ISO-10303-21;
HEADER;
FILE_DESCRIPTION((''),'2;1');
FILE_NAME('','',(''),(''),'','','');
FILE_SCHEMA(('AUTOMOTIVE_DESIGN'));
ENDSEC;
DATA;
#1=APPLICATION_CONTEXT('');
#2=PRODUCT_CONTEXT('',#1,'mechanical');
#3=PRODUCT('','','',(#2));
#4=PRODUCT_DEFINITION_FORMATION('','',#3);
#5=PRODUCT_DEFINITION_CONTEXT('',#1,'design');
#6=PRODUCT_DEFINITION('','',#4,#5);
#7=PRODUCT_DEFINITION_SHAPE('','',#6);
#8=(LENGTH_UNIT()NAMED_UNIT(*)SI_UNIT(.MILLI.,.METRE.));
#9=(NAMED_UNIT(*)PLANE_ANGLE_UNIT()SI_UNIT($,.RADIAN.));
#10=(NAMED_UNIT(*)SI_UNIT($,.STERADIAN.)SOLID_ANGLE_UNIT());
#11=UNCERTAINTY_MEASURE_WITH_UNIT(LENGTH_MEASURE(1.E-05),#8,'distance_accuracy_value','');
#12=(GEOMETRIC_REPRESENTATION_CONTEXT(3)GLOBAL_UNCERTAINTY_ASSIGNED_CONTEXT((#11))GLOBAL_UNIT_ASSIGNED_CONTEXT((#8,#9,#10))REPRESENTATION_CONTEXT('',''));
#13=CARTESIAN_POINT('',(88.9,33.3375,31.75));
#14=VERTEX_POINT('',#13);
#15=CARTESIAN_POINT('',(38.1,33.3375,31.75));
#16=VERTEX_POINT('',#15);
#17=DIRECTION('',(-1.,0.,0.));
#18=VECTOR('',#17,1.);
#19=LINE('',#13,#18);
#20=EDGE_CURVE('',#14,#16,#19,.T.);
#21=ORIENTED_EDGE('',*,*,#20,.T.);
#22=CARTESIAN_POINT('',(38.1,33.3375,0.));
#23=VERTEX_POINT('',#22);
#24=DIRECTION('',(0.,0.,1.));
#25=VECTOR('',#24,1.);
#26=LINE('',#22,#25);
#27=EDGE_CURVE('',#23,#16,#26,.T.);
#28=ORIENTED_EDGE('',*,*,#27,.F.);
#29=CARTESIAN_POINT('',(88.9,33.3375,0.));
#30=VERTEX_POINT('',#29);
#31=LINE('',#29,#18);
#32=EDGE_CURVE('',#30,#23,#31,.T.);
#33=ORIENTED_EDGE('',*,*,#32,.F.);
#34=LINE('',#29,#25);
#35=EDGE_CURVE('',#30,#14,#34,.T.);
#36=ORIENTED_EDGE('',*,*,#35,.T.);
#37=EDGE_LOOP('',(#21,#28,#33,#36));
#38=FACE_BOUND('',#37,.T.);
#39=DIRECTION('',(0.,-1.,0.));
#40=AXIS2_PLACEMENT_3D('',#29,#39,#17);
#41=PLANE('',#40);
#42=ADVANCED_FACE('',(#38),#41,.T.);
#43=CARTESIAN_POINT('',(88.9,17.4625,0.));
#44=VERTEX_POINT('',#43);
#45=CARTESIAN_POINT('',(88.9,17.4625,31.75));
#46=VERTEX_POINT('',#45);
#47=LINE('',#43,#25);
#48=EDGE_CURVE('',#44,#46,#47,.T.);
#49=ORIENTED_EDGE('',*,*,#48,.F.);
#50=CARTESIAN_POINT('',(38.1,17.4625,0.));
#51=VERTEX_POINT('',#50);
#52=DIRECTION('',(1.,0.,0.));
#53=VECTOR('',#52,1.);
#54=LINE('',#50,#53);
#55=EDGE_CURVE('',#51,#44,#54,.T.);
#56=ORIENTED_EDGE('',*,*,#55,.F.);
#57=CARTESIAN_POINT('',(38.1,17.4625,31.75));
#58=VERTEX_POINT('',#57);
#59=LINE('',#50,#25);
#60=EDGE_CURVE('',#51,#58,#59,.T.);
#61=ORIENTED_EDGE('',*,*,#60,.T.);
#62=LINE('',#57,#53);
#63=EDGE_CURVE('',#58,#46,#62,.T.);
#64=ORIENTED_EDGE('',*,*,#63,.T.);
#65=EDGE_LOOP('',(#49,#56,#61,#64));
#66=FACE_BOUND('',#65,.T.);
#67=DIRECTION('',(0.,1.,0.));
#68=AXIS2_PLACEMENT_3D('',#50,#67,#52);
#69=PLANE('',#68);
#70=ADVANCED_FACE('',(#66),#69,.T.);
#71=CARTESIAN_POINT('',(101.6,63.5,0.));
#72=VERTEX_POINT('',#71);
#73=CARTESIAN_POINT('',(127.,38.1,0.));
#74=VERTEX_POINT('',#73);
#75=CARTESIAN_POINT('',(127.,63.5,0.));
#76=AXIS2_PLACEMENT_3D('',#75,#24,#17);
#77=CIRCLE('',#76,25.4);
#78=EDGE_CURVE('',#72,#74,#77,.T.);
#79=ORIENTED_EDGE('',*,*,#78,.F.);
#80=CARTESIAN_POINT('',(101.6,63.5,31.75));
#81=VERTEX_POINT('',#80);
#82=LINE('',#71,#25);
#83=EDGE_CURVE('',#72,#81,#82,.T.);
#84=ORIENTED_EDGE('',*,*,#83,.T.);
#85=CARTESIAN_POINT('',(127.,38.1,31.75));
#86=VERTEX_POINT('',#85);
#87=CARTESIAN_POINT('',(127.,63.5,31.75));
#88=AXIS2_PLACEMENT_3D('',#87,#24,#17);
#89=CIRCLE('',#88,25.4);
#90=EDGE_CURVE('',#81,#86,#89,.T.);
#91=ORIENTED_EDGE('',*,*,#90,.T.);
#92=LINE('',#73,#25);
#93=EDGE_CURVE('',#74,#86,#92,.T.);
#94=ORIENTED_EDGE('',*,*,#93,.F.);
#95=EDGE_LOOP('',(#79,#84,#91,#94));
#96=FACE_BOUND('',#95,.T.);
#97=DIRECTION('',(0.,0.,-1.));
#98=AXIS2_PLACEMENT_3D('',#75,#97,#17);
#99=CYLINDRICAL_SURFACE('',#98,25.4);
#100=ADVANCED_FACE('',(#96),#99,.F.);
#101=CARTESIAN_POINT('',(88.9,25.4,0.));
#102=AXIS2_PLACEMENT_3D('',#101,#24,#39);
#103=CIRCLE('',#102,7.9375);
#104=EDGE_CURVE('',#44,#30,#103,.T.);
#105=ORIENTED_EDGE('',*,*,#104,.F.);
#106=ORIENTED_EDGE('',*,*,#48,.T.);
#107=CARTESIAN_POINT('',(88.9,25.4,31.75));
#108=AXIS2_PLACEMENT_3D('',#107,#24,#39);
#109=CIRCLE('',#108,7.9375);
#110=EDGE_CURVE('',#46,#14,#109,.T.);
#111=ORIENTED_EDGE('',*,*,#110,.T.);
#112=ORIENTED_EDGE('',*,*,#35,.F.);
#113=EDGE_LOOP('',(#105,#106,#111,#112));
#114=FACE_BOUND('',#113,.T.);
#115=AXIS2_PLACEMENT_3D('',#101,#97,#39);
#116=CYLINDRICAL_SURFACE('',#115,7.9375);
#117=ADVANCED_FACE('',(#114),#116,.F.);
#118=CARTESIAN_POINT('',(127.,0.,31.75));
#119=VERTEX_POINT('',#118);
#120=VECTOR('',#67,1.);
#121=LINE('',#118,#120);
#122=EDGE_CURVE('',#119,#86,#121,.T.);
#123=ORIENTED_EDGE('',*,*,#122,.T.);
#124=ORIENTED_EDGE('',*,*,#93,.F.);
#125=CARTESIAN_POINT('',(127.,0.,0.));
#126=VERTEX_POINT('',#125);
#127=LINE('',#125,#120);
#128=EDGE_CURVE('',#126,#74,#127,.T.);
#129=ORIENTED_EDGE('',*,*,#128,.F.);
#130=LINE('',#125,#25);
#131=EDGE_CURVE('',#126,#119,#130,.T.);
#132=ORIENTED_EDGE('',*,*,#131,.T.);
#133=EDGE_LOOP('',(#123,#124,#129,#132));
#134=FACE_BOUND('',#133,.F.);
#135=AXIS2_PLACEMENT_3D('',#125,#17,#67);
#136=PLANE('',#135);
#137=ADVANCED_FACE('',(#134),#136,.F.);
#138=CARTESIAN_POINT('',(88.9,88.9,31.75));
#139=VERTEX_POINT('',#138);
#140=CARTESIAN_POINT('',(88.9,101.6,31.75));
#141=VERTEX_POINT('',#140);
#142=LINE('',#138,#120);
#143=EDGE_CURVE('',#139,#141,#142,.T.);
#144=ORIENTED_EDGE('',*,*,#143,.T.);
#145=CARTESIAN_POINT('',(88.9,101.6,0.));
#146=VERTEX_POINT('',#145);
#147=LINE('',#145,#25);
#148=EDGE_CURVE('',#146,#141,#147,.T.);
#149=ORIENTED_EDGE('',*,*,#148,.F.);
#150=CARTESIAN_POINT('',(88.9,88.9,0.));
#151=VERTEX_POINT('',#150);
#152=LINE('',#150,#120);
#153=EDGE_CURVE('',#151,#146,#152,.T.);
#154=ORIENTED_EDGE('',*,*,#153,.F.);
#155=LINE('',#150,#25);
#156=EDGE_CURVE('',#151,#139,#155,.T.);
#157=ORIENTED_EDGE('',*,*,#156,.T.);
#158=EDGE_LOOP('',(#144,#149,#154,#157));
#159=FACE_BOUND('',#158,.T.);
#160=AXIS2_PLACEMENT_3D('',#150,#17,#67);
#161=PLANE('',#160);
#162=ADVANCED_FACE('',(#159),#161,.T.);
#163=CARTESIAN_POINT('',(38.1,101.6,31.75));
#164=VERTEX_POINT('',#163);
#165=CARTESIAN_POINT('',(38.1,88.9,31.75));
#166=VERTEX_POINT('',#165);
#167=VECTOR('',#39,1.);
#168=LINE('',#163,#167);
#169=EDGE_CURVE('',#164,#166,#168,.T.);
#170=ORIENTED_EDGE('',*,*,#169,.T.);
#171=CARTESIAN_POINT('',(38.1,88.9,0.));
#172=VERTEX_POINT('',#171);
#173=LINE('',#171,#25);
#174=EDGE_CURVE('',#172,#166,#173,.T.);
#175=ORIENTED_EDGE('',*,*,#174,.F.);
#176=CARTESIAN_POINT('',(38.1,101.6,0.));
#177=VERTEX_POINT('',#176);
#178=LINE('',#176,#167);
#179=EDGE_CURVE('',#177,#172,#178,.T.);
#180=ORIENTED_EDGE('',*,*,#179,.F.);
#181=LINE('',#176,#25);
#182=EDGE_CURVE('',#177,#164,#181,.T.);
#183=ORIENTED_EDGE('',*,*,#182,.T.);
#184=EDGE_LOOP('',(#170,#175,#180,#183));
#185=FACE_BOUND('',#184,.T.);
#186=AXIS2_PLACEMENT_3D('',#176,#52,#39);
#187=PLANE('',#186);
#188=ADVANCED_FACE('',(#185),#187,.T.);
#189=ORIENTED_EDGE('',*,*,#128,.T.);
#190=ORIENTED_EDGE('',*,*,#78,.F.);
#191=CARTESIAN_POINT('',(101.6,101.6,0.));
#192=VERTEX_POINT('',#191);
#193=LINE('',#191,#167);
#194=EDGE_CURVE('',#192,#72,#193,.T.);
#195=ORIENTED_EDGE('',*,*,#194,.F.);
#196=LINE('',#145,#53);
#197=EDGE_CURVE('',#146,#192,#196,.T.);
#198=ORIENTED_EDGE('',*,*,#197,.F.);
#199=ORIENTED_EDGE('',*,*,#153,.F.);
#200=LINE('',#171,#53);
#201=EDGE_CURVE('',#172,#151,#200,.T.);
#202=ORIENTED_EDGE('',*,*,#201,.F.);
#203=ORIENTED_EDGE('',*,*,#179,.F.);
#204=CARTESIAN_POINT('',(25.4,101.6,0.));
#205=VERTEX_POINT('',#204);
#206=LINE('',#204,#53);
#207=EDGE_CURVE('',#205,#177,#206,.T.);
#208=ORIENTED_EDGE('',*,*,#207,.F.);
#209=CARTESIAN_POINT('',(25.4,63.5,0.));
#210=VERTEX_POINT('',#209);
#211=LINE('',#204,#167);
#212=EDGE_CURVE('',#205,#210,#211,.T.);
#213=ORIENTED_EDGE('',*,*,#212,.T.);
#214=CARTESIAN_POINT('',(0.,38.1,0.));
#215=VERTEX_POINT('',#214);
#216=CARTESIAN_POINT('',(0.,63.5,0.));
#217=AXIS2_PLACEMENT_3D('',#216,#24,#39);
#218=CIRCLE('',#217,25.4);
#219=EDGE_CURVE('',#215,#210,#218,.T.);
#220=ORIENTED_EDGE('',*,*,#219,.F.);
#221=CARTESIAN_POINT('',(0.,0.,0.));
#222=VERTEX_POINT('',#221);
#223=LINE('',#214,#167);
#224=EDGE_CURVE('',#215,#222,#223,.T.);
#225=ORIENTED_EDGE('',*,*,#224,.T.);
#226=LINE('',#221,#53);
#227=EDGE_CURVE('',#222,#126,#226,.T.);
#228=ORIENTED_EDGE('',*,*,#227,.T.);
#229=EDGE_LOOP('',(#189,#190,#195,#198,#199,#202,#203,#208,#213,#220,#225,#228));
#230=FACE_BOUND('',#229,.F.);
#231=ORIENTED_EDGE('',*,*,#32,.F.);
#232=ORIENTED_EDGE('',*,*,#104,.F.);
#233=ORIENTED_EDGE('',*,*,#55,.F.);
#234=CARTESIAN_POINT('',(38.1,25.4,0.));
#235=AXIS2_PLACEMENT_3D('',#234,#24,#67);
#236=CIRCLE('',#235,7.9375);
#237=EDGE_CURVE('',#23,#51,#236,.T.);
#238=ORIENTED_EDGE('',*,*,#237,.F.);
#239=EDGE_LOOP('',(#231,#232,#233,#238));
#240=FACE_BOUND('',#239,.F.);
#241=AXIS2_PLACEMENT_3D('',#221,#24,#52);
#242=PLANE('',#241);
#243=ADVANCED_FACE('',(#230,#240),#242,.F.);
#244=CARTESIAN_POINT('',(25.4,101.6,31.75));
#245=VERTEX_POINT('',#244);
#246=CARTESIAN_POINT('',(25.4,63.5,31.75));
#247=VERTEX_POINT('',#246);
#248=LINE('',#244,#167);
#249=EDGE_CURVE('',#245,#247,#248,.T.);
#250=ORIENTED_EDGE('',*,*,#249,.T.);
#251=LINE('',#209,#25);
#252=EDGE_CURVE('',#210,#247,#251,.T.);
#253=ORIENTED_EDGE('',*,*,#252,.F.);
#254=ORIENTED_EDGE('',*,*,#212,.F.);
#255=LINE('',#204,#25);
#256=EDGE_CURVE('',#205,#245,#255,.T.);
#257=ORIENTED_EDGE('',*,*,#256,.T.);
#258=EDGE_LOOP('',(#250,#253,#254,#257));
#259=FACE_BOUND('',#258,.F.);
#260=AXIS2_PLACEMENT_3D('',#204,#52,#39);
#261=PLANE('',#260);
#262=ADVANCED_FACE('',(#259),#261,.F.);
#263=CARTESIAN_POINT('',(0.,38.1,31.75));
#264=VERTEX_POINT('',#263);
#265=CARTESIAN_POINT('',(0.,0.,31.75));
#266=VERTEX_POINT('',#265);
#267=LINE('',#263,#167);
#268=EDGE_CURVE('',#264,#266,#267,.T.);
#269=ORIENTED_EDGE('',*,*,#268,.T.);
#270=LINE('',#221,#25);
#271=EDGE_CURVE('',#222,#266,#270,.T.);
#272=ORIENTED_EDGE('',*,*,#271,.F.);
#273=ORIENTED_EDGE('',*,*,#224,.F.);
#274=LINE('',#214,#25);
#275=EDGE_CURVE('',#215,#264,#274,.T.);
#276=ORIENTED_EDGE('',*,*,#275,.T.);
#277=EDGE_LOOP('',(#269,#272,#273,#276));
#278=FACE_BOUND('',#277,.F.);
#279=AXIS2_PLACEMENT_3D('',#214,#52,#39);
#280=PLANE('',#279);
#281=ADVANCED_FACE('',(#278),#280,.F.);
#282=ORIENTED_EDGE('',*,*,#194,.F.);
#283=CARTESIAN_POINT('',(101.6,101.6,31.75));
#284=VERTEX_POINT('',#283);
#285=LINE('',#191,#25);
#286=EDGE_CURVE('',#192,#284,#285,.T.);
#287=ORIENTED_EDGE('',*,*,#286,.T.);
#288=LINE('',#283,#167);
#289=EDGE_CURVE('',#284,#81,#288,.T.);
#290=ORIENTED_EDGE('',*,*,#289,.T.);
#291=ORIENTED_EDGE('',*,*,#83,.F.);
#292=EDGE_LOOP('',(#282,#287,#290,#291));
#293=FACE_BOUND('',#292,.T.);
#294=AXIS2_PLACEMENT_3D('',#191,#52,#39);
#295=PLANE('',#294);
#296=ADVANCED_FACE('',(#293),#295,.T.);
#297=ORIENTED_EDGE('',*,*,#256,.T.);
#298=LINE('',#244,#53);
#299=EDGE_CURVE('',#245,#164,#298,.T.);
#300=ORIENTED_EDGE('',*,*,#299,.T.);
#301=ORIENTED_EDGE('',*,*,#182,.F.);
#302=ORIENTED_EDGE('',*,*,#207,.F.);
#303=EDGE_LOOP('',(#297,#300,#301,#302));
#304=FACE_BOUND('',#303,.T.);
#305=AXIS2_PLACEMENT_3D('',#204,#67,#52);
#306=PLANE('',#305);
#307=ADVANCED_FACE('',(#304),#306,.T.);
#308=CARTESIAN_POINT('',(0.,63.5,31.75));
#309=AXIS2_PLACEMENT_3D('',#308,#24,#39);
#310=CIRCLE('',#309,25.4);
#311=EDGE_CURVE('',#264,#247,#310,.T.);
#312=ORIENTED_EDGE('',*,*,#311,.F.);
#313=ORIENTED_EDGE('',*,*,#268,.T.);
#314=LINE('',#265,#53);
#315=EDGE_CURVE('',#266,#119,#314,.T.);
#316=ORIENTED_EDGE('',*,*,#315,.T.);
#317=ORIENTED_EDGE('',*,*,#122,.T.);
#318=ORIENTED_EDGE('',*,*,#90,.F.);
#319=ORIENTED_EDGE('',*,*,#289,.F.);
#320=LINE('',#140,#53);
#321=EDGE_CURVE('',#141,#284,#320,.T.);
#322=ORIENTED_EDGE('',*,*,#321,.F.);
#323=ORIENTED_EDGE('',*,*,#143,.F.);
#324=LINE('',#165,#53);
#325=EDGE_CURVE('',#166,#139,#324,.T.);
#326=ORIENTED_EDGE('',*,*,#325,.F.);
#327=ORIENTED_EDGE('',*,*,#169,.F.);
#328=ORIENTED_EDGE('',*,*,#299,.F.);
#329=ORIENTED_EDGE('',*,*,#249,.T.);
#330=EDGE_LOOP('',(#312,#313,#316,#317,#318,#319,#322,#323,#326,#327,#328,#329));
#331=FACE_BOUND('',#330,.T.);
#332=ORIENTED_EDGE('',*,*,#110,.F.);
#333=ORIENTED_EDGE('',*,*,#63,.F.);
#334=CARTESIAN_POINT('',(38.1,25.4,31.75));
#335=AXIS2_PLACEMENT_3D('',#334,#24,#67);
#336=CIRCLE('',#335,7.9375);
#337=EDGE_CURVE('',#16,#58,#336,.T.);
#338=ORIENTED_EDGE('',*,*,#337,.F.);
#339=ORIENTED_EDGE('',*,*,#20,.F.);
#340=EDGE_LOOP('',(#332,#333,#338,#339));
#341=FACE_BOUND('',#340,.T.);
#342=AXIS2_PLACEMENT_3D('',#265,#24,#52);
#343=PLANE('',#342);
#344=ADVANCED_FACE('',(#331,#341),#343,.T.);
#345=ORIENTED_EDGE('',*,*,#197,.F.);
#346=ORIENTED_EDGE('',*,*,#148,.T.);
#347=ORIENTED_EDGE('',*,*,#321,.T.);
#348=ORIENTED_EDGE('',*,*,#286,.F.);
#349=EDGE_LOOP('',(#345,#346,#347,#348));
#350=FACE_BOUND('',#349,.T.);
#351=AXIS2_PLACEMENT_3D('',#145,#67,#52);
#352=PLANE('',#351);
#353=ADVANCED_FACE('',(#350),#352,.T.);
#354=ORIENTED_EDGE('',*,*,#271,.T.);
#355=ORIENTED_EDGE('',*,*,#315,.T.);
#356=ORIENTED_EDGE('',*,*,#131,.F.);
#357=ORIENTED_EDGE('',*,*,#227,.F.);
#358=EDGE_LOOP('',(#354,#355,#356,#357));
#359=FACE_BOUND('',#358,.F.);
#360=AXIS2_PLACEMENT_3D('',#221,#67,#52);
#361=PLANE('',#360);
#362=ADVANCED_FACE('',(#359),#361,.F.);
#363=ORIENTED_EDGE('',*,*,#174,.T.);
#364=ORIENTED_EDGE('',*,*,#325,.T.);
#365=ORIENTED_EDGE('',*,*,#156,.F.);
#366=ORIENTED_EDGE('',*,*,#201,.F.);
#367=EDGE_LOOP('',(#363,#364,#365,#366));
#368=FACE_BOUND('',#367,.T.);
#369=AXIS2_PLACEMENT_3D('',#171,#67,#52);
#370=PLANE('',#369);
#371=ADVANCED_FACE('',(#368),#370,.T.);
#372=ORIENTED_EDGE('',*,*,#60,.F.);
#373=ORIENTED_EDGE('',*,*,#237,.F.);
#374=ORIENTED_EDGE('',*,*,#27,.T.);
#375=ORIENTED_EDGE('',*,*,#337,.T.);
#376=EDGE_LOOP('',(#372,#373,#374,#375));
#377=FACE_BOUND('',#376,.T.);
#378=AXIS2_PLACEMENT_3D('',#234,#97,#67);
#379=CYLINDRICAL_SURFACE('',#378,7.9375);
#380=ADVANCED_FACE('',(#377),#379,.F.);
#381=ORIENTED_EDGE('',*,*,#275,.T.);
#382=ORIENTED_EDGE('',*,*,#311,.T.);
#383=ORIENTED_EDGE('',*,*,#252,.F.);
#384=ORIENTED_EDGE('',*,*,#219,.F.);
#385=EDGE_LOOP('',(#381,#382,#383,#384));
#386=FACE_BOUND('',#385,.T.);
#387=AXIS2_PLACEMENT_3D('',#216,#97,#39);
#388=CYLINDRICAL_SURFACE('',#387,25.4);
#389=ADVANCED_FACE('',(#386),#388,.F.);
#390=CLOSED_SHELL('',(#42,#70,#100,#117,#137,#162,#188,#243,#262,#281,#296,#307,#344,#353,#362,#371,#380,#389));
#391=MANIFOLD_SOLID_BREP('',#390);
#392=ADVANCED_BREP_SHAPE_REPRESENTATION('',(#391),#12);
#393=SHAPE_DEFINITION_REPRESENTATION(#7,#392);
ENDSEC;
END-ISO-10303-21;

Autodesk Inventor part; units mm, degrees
ref_plane "YZ Plane" through (0, 0, 0) normal (1, 0, 0) x (0, 1, 0)
ref_plane "XZ Plane" through (0, 0, 0) normal (0, 1, 0) x (-1, 0, 0)
ref_plane "XY Plane" through (0, 0, 0) normal (0, 0, 1) x (1, 0, 0)
sketch "Sketch1" plane through (0, 0, 0) normal (0, 0, 1) x (1, 0, 0)
  line L0 (0, 38.1) -> (0, 0)
  line L1 (0, 0) -> (127, 0)
  line L2 (127, 0) -> (127, 38.1)
  arc A0 (0, 38.1) -> (25.4, 63.5) centre (0, 63.5) ccw
  arc A1 (101.6, 63.5) -> (127, 38.1) centre (127, 63.5) ccw
  line L3 (25.4, 101.6) -> (25.4, 63.5)
  line L4 (25.4, 101.6) -> (38.1, 101.6)
  line L5 (38.1, 101.6) -> (38.1, 88.9)
  line L6 (38.1, 88.9) -> (88.9, 88.9)
  line L7 (88.9, 88.9) -> (88.9, 101.6)
  line L8 (88.9, 101.6) -> (101.6, 101.6)
  line L9 (101.6, 101.6) -> (101.6, 63.5)
  arc A2 (38.1, 33.3375) -> (38.1, 17.4625) centre (38.1, 25.4) ccw
  arc A3 (88.9, 17.4625) -> (88.9, 33.3375) centre (88.9, 25.4) ccw
  line L10 (88.9, 33.3375) -> (38.1, 33.3375)
  line L11 (38.1, 17.4625) -> (88.9, 17.4625)
extrude "Extrusion1" add sketch "Sketch1" along normal blind 31.75
properties part number "P2-5"
